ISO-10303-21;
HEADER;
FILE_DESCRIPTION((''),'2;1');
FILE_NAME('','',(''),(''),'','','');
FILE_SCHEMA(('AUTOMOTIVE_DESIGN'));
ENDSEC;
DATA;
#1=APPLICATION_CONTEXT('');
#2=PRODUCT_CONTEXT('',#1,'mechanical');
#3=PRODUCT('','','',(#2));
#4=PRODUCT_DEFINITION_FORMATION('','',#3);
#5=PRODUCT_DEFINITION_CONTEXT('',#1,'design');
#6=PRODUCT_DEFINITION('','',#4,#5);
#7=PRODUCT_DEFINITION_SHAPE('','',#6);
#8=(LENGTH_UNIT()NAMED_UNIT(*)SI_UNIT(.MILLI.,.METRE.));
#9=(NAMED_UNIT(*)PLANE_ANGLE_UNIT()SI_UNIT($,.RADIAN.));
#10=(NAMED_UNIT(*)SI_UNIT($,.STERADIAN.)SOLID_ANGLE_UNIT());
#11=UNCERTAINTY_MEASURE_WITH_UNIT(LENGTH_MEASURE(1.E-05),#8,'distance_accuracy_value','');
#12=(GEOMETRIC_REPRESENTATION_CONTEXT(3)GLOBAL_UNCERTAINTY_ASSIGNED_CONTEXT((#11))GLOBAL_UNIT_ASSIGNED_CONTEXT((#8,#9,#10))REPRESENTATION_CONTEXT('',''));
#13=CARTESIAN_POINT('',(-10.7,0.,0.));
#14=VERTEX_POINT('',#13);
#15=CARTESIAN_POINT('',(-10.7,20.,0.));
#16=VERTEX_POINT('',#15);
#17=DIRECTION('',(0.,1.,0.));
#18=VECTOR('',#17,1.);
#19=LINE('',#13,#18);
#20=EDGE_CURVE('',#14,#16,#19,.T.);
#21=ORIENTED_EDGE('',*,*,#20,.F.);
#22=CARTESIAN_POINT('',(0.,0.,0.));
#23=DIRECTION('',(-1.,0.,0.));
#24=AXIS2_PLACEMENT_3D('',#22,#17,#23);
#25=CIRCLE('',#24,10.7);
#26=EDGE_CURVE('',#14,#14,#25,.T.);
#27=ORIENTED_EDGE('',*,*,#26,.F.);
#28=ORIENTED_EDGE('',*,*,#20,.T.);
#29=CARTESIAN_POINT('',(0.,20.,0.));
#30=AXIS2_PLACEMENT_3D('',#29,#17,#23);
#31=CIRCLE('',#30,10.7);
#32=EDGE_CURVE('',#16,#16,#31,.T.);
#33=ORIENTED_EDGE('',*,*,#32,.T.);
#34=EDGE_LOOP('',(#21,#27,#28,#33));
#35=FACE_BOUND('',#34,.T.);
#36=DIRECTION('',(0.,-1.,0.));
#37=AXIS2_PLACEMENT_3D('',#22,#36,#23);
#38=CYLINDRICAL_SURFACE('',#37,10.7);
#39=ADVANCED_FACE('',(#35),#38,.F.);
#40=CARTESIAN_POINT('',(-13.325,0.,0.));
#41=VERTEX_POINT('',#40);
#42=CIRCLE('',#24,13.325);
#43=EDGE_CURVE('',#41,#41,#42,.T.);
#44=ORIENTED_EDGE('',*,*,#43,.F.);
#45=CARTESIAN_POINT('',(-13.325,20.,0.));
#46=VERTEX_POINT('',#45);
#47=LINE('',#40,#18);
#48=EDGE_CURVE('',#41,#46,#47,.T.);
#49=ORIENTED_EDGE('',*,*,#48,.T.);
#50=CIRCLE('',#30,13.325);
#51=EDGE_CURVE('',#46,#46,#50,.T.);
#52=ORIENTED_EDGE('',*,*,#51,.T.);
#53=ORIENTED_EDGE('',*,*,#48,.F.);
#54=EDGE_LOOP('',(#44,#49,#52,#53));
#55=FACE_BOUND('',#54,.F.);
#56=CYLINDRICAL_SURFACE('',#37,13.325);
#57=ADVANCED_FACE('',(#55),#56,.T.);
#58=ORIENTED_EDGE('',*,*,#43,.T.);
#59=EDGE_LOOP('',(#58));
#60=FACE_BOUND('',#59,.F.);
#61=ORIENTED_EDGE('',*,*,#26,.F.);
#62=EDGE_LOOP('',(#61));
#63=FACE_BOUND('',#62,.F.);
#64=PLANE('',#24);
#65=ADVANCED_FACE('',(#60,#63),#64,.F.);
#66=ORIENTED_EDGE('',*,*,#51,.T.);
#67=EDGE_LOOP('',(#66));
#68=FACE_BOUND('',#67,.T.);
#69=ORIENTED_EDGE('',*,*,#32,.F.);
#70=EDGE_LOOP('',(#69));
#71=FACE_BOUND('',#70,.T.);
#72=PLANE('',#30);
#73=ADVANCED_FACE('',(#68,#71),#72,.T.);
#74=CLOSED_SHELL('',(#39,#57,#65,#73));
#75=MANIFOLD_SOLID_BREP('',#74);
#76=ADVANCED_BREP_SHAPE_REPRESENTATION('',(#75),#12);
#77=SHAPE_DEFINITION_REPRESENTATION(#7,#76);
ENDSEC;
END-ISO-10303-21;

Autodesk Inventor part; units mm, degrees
ref_plane "YZ Plane" through (0, 0, 0) normal (1, 0, 0) x (0, 1, 0)
ref_plane "XZ Plane" through (0, 0, 0) normal (0, 1, 0) x (-1, 0, 0)
ref_plane "XY Plane" through (0, 0, 0) normal (0, 0, 1) x (1, 0, 0)
sketch "Boceto2" plane through (0, 0, 0) normal (0, 1, 0) x (-1, 0, 0)
  circle A0 centre (0, 0) radius 13.325
  circle A1 centre (0, 0) radius 10.7
  dimension "d1" = 26.65
  dimension "d2" = 21.4
extrude "Extrusión1" add sketch "Boceto2" along normal blind 20
properties part number "Tubo 34 49mm"
